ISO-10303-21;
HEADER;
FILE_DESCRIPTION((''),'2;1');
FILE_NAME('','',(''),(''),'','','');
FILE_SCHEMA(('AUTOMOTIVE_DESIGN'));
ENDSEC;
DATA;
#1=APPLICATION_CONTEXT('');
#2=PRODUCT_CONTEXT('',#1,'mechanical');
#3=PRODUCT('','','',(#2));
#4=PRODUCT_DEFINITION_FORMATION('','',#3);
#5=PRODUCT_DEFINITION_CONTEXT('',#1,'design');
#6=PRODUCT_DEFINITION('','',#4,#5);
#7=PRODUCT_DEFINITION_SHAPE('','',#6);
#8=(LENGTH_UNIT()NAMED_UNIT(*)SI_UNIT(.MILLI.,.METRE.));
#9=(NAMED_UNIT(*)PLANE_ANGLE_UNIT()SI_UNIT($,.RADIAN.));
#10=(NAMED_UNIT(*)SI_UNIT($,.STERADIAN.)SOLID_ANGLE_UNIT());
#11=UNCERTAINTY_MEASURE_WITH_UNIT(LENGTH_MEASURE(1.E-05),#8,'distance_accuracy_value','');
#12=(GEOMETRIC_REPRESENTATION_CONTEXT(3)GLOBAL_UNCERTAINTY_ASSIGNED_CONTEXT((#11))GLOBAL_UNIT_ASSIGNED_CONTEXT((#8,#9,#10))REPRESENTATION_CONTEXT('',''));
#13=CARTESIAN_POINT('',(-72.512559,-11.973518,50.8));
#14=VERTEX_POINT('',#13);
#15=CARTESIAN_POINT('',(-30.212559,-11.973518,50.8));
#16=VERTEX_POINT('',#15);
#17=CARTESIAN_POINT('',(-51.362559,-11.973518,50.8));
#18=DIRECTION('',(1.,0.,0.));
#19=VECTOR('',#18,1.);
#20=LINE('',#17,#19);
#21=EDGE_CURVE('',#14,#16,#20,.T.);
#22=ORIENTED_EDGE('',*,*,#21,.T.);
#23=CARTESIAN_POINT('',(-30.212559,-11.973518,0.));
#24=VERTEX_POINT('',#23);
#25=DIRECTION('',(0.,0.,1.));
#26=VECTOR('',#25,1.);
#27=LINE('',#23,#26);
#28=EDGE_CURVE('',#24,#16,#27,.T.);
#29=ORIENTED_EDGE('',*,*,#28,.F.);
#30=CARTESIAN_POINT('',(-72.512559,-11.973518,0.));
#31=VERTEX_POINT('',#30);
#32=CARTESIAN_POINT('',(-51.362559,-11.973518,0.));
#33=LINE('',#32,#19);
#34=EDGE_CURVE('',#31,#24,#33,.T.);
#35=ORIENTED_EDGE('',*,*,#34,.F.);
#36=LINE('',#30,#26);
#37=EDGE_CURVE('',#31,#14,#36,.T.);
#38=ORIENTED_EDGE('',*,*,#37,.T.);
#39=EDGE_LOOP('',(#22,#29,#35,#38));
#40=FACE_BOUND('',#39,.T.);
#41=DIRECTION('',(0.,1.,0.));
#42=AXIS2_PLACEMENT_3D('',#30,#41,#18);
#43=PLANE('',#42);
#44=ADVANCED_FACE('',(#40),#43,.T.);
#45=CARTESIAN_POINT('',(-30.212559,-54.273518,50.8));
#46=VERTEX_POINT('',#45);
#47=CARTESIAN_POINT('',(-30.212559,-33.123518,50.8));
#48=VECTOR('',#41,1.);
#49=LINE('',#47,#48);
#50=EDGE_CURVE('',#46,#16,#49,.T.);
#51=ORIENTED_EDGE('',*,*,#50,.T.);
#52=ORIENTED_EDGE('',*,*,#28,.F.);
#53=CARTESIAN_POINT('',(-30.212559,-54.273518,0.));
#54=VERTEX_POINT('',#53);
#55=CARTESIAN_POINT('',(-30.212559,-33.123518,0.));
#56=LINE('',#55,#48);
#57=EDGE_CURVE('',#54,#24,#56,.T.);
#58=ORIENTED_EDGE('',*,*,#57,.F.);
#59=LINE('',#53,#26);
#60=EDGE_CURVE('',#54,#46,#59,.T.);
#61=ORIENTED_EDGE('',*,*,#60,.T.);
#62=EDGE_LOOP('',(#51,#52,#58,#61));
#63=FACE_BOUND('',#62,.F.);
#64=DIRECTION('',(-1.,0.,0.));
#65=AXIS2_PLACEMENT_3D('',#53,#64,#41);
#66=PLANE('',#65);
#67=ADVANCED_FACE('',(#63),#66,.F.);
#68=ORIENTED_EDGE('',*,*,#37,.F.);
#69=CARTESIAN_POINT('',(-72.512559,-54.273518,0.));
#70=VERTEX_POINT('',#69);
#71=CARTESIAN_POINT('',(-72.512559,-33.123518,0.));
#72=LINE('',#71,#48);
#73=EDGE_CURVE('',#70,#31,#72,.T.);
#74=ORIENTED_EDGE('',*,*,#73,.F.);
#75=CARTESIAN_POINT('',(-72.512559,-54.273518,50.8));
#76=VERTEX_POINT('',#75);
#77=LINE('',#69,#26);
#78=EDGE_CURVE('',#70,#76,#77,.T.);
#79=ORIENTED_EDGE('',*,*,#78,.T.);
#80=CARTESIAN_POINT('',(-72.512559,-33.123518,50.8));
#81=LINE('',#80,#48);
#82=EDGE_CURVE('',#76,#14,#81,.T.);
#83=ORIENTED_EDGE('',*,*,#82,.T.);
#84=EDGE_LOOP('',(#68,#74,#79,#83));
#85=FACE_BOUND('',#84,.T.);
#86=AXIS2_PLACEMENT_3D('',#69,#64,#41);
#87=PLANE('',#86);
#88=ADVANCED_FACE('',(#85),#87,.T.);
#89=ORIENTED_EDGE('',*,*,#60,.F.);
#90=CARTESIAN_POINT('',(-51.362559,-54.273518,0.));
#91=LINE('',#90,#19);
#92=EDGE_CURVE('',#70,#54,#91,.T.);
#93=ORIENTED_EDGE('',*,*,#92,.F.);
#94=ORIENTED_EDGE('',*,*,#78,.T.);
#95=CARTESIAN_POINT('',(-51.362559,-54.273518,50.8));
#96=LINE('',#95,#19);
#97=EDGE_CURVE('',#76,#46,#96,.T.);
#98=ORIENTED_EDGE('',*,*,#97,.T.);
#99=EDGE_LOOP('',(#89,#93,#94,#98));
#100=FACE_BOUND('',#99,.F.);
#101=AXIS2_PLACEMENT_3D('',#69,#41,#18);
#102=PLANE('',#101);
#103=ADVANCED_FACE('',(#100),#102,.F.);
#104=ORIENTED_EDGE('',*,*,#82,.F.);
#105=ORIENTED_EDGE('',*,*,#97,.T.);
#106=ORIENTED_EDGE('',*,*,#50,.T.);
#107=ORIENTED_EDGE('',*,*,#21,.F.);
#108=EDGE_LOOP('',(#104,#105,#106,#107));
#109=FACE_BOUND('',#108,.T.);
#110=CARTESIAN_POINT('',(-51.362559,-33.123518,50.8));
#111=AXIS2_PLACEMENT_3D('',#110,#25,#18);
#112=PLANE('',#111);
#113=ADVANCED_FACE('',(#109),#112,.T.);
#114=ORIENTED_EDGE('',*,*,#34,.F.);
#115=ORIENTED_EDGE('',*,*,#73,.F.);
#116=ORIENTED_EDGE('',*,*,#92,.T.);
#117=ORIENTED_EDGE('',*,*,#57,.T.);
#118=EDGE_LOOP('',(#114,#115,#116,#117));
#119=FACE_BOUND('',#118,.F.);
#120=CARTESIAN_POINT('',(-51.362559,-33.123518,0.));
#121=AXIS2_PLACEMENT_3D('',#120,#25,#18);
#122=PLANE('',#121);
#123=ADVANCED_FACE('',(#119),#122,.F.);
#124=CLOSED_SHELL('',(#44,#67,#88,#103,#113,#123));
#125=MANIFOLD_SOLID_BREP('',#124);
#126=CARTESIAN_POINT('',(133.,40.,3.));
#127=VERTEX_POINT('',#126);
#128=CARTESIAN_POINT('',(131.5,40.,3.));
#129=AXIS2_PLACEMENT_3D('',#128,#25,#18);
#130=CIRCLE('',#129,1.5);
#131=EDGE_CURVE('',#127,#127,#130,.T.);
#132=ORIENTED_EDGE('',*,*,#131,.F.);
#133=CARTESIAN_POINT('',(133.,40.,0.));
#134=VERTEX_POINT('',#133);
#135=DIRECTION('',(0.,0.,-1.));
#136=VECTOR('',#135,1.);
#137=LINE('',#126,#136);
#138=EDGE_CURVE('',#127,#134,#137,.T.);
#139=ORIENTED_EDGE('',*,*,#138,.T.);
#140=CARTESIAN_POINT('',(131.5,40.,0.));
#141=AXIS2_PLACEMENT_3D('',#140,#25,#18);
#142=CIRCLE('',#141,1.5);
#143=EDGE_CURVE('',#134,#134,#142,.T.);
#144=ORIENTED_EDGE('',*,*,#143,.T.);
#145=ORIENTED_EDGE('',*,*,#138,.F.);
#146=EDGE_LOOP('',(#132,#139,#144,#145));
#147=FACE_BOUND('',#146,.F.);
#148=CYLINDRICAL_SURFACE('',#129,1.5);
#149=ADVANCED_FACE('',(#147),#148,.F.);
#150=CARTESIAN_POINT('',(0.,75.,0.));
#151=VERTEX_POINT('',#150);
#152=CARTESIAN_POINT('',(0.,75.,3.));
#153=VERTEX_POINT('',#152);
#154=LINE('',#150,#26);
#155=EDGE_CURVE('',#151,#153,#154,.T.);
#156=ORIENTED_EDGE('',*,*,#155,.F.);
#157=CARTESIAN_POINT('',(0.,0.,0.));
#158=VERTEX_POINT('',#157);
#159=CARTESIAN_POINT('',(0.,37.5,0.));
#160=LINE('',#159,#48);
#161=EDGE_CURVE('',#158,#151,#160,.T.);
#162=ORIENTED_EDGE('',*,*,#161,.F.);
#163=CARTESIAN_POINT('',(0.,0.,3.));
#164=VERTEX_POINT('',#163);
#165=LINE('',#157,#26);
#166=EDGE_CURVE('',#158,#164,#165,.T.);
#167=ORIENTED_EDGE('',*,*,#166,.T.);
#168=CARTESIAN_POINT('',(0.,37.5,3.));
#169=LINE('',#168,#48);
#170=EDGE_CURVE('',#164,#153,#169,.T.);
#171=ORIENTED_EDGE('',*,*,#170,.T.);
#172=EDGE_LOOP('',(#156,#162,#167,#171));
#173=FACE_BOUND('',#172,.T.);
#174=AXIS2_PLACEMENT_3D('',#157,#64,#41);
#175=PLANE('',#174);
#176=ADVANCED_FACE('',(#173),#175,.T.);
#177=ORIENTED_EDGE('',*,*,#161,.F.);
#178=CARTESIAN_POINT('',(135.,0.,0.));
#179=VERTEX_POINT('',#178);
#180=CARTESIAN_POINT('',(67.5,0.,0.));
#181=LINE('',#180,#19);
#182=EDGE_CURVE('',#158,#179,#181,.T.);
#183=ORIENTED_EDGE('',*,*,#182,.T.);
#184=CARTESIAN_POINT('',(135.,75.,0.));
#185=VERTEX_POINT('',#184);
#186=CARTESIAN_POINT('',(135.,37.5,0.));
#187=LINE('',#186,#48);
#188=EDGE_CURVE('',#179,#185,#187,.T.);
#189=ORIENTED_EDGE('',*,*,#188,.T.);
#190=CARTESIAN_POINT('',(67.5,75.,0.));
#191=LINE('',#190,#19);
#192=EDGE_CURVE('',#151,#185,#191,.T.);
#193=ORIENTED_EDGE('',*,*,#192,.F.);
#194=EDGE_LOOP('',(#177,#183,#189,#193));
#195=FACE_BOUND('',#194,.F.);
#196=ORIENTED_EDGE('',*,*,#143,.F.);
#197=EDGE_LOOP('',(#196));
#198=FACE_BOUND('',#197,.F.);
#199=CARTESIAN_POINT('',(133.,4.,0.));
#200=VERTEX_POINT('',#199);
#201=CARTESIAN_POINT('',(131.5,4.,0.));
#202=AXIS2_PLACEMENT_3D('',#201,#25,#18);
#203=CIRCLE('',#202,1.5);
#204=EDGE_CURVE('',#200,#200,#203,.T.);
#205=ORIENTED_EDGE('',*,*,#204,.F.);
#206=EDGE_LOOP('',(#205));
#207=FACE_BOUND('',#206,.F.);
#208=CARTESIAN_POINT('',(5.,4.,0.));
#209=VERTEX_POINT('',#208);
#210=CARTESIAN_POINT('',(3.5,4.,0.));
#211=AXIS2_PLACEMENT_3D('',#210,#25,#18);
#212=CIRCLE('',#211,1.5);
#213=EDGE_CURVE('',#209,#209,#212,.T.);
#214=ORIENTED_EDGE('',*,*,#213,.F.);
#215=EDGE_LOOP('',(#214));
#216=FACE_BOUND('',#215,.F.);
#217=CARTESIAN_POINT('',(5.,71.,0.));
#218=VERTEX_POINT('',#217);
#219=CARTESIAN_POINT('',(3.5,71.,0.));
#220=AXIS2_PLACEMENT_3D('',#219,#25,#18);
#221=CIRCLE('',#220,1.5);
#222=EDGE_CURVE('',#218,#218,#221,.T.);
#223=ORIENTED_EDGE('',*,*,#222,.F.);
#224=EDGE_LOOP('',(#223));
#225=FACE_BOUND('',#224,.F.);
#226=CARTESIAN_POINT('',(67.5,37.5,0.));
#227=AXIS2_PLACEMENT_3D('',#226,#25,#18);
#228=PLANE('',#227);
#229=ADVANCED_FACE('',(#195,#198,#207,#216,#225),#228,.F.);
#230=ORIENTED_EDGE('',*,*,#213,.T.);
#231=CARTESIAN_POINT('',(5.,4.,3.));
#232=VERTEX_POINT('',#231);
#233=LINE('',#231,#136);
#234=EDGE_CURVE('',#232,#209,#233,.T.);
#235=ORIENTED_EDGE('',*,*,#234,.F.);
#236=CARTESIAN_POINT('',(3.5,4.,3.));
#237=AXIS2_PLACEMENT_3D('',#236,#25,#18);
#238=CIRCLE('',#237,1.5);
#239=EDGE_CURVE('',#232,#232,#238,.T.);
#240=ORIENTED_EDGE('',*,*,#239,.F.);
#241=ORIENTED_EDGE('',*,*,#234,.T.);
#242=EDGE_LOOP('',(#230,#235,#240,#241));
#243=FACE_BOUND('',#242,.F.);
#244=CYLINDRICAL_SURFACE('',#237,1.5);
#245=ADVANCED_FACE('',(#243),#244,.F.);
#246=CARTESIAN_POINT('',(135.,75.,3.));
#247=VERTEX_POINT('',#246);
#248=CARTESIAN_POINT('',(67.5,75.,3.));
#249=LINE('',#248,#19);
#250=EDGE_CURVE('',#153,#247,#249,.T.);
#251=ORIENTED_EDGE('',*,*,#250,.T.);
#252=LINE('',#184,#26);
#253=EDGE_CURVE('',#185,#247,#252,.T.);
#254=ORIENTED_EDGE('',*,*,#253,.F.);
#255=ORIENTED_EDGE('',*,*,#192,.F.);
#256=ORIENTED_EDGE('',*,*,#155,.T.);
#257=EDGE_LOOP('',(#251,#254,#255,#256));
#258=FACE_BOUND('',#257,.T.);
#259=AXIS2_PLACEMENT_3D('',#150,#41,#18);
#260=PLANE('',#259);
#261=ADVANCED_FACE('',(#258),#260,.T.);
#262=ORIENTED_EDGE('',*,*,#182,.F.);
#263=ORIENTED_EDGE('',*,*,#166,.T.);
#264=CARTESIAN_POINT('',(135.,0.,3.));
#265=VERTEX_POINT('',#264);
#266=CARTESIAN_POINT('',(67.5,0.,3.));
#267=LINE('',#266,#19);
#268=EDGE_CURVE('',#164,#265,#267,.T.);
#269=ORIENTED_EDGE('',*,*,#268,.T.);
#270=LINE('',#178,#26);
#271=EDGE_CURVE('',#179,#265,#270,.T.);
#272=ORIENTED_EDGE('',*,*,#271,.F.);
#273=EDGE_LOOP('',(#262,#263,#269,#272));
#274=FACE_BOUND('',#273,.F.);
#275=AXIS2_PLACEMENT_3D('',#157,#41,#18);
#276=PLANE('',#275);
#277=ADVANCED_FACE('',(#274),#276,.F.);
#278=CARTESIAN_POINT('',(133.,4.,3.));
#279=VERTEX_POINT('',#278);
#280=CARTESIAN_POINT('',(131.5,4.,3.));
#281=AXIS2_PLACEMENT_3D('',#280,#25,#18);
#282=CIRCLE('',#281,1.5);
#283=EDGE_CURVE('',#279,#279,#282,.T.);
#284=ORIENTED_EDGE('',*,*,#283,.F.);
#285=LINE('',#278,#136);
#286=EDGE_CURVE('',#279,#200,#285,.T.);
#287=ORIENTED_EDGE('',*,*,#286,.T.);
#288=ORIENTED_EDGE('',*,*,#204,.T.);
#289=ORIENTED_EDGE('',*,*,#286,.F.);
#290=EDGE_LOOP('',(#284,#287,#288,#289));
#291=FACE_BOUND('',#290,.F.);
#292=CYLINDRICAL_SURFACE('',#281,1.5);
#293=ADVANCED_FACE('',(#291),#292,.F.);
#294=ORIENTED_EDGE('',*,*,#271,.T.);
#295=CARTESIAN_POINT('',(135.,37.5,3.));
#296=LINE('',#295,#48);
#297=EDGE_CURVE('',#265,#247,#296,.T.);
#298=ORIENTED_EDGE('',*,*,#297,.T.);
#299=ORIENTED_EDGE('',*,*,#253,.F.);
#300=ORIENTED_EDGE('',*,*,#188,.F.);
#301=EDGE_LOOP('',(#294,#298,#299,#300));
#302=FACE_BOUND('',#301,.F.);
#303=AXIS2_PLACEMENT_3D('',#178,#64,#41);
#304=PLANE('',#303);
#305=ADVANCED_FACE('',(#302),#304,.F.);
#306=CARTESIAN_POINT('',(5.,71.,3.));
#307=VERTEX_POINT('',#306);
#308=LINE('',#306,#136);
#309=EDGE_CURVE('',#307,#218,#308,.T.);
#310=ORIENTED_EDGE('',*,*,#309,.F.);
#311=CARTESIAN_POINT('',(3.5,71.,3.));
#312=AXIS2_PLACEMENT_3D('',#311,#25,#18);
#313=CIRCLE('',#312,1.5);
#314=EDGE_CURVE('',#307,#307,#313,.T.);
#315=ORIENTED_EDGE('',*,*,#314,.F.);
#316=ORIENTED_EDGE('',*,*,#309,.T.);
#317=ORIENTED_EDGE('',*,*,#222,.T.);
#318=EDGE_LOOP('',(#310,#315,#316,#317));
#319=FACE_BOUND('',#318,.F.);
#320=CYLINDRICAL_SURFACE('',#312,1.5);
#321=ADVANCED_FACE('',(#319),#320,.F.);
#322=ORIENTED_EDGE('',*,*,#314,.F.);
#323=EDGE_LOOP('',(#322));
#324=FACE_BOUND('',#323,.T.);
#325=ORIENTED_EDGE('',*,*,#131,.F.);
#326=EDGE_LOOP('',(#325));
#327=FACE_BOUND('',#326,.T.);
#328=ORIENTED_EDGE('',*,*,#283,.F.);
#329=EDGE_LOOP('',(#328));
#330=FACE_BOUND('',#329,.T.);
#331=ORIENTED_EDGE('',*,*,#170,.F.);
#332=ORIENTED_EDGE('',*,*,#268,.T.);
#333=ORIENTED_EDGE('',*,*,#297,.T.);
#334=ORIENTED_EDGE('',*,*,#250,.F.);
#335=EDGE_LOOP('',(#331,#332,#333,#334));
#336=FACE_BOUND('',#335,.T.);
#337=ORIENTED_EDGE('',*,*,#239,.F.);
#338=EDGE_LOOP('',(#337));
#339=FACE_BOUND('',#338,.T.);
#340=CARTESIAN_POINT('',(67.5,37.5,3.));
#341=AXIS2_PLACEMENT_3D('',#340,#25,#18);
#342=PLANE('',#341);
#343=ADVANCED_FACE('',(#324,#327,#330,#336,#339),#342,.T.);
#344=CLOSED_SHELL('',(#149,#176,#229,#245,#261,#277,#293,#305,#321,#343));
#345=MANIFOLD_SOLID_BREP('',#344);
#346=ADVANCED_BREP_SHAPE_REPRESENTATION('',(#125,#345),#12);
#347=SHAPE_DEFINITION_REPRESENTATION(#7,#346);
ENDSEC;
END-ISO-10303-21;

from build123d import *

# Parameters (mm, degrees)
F0_W     = 135
F0_H     = 75
F1_DEPTH = 3
F2_R     = 1.5
F3_DEPTH = 25
F4_W     = 42.3
F4_H     = 42.3
F5_DEPTH = 50.8


with BuildPart() as f1:
    # F0 (on Top) → F1 (new body)
    with BuildSketch(Plane.XY):
        with Locations((67.5, 37.5)):
            Rectangle(F0_W, F0_H)
    extrude(amount=F1_DEPTH)

    # F2 (on face) → F3 (cut)
    with BuildSketch(Plane.XY.offset(3)):
        with Locations((3.5, 71)):
            Circle(F2_R)
        with Locations((3.5, 4)):
            Circle(F2_R)
        with Locations((131.5, 4)):
            Circle(F2_R)
        with Locations((131.5, 40)):
            Circle(F2_R)
    extrude(amount=-F3_DEPTH, mode=Mode.SUBTRACT)


with BuildPart() as f5:
    # F4 (on Top) → F5 (new body)
    with BuildSketch(Plane.XY):
        with Locations((-51.362559, -33.123518)):
            Rectangle(F4_W, F4_H)
    extrude(amount=F5_DEPTH)


solid = Compound([f1.part, f5.part])
